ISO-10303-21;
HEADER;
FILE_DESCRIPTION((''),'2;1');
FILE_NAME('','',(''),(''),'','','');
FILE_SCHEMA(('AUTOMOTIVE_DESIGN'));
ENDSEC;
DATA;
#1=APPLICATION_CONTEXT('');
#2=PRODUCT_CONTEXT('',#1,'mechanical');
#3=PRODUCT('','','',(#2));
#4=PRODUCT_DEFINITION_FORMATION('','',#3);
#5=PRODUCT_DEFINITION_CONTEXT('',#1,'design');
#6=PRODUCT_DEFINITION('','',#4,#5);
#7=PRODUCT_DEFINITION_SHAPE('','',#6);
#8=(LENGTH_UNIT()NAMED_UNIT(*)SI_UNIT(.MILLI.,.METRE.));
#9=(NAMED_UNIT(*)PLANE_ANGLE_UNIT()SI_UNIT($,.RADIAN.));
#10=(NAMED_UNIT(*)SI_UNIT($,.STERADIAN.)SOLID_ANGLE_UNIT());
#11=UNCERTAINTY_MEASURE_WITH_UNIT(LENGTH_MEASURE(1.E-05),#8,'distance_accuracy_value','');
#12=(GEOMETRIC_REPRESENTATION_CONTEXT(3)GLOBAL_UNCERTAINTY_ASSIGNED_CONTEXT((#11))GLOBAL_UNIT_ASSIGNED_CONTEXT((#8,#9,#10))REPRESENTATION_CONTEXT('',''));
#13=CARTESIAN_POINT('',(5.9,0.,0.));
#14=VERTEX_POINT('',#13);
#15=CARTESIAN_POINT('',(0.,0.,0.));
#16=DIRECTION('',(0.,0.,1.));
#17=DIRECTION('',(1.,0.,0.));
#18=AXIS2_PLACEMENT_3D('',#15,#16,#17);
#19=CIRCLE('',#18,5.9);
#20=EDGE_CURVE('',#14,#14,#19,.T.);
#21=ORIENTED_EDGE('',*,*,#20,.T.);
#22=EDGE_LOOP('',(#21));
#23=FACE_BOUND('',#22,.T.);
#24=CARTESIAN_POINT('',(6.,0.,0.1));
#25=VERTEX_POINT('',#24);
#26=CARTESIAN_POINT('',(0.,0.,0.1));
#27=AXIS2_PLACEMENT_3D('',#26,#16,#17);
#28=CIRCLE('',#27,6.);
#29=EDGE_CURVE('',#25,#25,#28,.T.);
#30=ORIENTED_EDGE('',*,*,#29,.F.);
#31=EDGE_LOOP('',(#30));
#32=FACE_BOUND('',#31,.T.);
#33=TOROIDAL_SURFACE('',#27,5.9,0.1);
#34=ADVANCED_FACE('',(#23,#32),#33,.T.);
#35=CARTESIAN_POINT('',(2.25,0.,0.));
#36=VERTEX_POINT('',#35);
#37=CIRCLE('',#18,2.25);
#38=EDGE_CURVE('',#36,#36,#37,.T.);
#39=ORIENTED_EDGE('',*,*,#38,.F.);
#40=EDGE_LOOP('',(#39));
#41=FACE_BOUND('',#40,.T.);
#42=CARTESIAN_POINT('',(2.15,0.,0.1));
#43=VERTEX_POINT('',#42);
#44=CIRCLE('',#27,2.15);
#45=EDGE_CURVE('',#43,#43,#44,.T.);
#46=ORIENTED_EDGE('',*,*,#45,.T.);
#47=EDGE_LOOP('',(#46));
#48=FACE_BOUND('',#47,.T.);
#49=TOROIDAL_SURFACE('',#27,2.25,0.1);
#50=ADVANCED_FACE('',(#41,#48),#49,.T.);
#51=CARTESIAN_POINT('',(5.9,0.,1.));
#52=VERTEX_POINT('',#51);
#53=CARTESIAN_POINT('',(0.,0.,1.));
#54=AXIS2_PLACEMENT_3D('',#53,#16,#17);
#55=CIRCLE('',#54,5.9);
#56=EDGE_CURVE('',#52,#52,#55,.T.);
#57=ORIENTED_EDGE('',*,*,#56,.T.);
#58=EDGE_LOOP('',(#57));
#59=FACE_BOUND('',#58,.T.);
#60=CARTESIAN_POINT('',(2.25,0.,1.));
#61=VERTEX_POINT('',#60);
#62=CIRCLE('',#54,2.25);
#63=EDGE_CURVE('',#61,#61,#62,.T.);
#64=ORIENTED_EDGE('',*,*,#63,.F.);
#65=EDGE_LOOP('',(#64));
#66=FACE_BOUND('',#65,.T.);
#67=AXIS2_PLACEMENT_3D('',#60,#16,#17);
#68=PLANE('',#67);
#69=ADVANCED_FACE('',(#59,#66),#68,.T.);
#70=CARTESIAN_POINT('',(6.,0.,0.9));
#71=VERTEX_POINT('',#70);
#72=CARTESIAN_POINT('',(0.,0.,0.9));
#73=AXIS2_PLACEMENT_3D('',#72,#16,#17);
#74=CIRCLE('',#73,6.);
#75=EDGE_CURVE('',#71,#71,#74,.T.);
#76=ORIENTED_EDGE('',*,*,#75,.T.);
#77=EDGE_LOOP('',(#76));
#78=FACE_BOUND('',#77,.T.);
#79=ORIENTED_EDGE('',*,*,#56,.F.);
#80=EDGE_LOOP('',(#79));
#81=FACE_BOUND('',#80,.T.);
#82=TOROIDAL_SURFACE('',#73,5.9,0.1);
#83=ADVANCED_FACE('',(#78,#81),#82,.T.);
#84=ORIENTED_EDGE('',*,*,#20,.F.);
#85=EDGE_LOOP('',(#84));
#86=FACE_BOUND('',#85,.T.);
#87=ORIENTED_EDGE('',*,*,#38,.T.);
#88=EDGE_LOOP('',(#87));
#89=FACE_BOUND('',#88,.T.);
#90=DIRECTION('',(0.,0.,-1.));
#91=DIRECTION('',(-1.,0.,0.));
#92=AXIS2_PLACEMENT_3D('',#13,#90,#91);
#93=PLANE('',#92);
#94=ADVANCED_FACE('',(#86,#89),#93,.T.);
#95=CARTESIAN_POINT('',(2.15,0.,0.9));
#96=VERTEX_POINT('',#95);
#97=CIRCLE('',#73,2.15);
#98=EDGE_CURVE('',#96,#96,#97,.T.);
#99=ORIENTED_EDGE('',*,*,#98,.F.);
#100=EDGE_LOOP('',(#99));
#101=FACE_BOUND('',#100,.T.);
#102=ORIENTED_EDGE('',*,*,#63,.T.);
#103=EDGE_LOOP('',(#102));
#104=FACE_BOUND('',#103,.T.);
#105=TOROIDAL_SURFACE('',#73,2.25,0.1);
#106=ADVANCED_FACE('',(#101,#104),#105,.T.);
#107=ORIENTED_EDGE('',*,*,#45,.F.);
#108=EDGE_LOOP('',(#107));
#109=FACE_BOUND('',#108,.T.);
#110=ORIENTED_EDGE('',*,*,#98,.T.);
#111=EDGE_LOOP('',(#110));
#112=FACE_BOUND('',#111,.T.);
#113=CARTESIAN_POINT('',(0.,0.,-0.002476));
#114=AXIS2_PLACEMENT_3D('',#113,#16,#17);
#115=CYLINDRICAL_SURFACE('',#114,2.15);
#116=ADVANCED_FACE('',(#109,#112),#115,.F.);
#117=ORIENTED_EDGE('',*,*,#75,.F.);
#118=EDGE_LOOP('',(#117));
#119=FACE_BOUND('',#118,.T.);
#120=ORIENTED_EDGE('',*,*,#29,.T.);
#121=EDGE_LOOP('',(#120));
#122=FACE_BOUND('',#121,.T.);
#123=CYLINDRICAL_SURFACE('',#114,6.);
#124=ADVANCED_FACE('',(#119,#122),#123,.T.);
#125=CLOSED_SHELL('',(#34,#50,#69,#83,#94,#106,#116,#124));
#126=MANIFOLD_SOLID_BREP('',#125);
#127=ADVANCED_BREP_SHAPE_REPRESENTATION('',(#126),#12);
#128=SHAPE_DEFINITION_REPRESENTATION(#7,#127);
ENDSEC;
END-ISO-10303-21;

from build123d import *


with BuildPart() as part:
    # 草图1 → 旋转1 (revolve)
    with BuildSketch(Plane(origin=(0, 0, 0), x_dir=(1, 0, 0), z_dir=(0, 1, 0))):
        with BuildLine():
            Line((5.9, 0), (2.25, 0))
            ThreePointArc((2.25, 0), (2.179289322, -0.029289322), (2.15, -0.1))
            Line((2.15, -0.1), (2.15, -0.9))
            ThreePointArc((2.15, -0.9), (2.179289322, -0.970710678), (2.25, -1))
            Line((2.25, -1), (5.9, -1))
            ThreePointArc((5.9, -1), (5.970710678, -0.970710678), (6, -0.9))
            Line((6, -0.9), (6, -0.1))
            ThreePointArc((6, -0.1), (5.970710678, -0.029289322), (5.9, 0))
        make_face()
    revolve(axis=Axis((0, 0, -0.002476268), (0, 0, 1)))


solid = part.part
